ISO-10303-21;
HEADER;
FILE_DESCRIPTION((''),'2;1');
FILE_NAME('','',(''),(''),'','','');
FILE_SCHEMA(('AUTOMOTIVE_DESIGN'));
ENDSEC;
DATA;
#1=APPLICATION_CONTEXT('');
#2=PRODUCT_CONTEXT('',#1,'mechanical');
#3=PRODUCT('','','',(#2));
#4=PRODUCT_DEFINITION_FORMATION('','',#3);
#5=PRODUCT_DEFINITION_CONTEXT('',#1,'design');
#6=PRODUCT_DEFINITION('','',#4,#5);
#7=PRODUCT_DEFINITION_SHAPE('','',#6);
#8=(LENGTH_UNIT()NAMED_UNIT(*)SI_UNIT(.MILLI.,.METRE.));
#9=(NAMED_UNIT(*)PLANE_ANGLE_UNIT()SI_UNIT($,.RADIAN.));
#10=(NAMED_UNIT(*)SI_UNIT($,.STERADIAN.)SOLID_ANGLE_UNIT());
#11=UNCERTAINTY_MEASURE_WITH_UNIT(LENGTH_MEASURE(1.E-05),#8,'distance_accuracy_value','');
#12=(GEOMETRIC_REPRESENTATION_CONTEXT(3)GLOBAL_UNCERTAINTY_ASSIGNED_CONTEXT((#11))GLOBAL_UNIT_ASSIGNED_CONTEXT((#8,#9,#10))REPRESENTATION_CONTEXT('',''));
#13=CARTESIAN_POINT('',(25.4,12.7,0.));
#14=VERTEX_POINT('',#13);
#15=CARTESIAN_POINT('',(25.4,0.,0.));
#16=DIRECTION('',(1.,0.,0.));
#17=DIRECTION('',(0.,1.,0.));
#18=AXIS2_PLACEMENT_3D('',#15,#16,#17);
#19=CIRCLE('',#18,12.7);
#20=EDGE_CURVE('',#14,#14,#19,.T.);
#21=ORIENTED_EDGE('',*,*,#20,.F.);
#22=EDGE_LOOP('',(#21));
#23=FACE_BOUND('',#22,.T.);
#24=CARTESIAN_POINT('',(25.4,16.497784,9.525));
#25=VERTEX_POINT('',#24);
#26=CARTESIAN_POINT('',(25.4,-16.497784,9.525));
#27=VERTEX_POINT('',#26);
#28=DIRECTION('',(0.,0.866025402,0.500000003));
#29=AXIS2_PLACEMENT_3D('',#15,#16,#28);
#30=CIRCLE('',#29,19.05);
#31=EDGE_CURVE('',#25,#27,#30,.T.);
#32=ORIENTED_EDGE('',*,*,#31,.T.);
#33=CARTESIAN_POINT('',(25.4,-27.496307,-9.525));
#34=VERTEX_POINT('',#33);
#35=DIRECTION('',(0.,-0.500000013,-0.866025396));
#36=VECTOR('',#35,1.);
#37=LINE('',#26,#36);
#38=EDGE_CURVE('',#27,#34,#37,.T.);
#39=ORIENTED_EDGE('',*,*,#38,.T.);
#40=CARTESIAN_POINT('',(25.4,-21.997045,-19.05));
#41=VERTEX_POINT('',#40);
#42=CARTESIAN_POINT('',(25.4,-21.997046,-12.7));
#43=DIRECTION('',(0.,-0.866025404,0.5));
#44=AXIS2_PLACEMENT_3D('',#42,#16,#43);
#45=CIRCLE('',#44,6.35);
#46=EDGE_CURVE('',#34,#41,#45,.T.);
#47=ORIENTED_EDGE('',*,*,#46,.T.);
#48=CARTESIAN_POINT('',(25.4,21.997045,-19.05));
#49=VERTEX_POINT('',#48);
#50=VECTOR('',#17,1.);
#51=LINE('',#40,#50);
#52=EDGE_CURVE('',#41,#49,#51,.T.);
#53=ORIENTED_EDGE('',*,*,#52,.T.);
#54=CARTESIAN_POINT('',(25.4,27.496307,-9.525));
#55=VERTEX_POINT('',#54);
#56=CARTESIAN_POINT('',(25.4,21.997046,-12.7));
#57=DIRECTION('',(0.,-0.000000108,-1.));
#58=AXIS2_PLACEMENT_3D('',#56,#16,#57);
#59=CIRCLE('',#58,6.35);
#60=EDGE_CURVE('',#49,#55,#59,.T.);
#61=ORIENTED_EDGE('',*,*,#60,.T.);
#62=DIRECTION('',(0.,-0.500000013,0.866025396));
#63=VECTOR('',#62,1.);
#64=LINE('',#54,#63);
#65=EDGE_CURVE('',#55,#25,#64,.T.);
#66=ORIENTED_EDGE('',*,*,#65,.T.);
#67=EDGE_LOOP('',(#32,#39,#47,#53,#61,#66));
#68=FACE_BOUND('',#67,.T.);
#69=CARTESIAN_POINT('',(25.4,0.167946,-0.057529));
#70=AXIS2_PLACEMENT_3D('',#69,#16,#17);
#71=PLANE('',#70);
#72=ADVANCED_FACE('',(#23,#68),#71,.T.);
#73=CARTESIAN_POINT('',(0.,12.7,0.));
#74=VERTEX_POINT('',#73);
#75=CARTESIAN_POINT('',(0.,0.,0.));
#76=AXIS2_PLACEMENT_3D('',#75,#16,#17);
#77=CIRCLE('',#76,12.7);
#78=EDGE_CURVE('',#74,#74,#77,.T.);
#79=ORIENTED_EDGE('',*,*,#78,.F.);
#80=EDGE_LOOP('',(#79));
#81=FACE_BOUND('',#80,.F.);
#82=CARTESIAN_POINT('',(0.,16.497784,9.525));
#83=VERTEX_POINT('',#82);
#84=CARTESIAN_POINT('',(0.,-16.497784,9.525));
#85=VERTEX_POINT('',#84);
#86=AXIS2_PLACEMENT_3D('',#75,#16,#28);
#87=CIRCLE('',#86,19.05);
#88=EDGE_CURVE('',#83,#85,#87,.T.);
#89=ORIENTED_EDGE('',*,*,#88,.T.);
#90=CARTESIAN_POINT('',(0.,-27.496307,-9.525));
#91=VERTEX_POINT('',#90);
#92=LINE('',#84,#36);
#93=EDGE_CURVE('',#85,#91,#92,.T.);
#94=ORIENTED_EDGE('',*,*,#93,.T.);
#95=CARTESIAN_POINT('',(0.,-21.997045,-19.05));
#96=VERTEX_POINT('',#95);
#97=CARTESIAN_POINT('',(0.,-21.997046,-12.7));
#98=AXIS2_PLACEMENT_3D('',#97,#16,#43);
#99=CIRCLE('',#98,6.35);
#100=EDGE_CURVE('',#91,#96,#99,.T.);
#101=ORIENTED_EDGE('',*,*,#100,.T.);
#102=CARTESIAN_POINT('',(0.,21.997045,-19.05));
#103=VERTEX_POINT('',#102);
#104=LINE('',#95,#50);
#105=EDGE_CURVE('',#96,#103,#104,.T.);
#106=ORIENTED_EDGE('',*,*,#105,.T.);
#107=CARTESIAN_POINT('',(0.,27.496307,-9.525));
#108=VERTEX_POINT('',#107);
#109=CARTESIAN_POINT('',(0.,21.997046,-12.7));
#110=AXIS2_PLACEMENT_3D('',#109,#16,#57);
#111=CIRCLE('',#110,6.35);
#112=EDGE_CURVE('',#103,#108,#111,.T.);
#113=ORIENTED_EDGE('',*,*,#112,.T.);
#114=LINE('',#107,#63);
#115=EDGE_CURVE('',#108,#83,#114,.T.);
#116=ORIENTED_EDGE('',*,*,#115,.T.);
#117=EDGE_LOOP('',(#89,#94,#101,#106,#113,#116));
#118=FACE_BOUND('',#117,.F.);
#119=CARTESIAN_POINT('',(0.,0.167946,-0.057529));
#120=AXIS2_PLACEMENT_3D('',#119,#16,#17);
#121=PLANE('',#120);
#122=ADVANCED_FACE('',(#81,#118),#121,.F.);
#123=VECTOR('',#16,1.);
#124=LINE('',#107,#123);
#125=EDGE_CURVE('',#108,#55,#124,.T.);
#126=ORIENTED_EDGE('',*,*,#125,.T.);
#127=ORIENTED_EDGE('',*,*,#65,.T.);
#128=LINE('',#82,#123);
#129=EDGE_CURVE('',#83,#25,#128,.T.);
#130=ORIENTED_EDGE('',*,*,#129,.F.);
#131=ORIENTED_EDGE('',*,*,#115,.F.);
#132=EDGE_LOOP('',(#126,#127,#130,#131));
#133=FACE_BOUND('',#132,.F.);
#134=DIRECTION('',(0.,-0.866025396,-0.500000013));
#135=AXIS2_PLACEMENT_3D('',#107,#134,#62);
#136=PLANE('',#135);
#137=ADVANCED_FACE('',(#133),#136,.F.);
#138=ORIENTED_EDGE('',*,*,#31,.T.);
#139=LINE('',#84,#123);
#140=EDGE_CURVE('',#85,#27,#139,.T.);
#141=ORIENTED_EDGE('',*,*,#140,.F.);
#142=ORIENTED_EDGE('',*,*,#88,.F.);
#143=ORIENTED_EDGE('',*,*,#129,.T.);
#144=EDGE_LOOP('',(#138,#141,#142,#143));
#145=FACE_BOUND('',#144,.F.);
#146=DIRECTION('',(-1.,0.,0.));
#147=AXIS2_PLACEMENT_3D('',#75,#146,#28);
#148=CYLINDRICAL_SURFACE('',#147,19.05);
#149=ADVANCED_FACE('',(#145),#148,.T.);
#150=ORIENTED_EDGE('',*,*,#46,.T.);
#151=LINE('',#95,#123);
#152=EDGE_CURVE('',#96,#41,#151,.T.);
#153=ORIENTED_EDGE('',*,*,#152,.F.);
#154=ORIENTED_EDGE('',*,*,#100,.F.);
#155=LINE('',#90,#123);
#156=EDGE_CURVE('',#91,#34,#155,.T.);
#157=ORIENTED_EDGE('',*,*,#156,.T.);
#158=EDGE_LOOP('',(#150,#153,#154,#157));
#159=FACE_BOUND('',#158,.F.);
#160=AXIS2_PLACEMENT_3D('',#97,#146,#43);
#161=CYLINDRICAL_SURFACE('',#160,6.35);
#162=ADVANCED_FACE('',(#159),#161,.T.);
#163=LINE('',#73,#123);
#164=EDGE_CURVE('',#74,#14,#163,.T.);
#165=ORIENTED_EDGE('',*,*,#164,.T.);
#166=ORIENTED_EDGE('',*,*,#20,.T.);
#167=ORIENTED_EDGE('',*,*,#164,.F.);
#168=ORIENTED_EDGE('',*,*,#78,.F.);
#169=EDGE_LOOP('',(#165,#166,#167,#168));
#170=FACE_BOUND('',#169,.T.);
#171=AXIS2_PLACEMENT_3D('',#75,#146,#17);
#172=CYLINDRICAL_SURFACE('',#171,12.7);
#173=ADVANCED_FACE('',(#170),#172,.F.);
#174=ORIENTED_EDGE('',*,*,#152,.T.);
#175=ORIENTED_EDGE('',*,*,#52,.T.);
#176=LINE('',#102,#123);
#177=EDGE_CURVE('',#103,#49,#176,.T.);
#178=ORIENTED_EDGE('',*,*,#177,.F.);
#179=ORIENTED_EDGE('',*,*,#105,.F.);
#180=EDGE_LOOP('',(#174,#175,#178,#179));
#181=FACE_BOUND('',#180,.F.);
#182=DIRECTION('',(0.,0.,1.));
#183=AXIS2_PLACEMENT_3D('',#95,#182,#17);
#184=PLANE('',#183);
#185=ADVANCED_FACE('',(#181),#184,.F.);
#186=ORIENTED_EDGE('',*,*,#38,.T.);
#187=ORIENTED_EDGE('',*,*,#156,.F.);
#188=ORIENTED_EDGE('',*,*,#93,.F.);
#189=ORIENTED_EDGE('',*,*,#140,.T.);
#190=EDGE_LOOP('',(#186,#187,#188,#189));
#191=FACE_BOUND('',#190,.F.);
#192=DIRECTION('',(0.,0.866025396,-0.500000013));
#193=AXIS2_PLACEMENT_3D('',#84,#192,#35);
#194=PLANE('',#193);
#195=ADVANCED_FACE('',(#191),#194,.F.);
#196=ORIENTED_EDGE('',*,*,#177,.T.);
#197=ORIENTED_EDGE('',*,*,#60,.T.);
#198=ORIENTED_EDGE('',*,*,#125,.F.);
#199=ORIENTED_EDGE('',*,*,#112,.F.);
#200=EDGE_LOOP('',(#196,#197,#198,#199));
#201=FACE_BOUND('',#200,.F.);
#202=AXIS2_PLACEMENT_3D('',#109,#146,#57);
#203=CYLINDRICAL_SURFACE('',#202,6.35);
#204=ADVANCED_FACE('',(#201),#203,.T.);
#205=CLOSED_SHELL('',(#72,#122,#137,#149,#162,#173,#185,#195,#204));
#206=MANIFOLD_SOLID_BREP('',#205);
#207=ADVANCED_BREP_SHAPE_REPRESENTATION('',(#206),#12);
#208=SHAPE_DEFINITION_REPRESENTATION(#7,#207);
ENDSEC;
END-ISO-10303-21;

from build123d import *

# Parameters (mm, degrees)
F0_R     = 12.7
F1_DEPTH = 25.4


with BuildPart() as f1:
    # F0 (on Right) → F1 (new body)
    with BuildSketch(Plane.YZ):
        with BuildLine():
            ThreePointArc((0, -19.05), (13.470384, -13.470384), (19.05, 0))
            ThreePointArc((19.05, 0), (18.400887, 4.930503), (16.497784, 9.525))
            ThreePointArc((16.497784, 9.525), (0, 19.05), (-16.497784, 9.525))
            ThreePointArc((-16.497784, 9.525), (-16.497784, -9.525), (0, -19.05))
        make_face()
        Circle(F0_R, mode=Mode.SUBTRACT)
        with BuildLine():
            ThreePointArc((16.497784, 9.525), (18.400887, 4.930503), (19.05, 0))
            ThreePointArc((19.05, 0), (13.470384, -13.470384), (0, -19.05))
            Line((0, -19.05), (21.997045, -19.05))
            ThreePointArc((21.997045, -19.05), (27.496307, -15.875), (27.496307, -9.525))
            Line((27.496307, -9.525), (16.497784, 9.525))
        make_face()
        with BuildLine():
            Line((-21.997045, -19.05), (0, -19.05))
            ThreePointArc((0, -19.05), (-16.497784, -9.525), (-16.497784, 9.525))
            Line((-16.497784, 9.525), (-27.496307, -9.525))
            ThreePointArc((-27.496307, -9.525), (-27.496307, -15.875), (-21.997045, -19.05))
        make_face()
    extrude(amount=F1_DEPTH)


solid = f1.part
